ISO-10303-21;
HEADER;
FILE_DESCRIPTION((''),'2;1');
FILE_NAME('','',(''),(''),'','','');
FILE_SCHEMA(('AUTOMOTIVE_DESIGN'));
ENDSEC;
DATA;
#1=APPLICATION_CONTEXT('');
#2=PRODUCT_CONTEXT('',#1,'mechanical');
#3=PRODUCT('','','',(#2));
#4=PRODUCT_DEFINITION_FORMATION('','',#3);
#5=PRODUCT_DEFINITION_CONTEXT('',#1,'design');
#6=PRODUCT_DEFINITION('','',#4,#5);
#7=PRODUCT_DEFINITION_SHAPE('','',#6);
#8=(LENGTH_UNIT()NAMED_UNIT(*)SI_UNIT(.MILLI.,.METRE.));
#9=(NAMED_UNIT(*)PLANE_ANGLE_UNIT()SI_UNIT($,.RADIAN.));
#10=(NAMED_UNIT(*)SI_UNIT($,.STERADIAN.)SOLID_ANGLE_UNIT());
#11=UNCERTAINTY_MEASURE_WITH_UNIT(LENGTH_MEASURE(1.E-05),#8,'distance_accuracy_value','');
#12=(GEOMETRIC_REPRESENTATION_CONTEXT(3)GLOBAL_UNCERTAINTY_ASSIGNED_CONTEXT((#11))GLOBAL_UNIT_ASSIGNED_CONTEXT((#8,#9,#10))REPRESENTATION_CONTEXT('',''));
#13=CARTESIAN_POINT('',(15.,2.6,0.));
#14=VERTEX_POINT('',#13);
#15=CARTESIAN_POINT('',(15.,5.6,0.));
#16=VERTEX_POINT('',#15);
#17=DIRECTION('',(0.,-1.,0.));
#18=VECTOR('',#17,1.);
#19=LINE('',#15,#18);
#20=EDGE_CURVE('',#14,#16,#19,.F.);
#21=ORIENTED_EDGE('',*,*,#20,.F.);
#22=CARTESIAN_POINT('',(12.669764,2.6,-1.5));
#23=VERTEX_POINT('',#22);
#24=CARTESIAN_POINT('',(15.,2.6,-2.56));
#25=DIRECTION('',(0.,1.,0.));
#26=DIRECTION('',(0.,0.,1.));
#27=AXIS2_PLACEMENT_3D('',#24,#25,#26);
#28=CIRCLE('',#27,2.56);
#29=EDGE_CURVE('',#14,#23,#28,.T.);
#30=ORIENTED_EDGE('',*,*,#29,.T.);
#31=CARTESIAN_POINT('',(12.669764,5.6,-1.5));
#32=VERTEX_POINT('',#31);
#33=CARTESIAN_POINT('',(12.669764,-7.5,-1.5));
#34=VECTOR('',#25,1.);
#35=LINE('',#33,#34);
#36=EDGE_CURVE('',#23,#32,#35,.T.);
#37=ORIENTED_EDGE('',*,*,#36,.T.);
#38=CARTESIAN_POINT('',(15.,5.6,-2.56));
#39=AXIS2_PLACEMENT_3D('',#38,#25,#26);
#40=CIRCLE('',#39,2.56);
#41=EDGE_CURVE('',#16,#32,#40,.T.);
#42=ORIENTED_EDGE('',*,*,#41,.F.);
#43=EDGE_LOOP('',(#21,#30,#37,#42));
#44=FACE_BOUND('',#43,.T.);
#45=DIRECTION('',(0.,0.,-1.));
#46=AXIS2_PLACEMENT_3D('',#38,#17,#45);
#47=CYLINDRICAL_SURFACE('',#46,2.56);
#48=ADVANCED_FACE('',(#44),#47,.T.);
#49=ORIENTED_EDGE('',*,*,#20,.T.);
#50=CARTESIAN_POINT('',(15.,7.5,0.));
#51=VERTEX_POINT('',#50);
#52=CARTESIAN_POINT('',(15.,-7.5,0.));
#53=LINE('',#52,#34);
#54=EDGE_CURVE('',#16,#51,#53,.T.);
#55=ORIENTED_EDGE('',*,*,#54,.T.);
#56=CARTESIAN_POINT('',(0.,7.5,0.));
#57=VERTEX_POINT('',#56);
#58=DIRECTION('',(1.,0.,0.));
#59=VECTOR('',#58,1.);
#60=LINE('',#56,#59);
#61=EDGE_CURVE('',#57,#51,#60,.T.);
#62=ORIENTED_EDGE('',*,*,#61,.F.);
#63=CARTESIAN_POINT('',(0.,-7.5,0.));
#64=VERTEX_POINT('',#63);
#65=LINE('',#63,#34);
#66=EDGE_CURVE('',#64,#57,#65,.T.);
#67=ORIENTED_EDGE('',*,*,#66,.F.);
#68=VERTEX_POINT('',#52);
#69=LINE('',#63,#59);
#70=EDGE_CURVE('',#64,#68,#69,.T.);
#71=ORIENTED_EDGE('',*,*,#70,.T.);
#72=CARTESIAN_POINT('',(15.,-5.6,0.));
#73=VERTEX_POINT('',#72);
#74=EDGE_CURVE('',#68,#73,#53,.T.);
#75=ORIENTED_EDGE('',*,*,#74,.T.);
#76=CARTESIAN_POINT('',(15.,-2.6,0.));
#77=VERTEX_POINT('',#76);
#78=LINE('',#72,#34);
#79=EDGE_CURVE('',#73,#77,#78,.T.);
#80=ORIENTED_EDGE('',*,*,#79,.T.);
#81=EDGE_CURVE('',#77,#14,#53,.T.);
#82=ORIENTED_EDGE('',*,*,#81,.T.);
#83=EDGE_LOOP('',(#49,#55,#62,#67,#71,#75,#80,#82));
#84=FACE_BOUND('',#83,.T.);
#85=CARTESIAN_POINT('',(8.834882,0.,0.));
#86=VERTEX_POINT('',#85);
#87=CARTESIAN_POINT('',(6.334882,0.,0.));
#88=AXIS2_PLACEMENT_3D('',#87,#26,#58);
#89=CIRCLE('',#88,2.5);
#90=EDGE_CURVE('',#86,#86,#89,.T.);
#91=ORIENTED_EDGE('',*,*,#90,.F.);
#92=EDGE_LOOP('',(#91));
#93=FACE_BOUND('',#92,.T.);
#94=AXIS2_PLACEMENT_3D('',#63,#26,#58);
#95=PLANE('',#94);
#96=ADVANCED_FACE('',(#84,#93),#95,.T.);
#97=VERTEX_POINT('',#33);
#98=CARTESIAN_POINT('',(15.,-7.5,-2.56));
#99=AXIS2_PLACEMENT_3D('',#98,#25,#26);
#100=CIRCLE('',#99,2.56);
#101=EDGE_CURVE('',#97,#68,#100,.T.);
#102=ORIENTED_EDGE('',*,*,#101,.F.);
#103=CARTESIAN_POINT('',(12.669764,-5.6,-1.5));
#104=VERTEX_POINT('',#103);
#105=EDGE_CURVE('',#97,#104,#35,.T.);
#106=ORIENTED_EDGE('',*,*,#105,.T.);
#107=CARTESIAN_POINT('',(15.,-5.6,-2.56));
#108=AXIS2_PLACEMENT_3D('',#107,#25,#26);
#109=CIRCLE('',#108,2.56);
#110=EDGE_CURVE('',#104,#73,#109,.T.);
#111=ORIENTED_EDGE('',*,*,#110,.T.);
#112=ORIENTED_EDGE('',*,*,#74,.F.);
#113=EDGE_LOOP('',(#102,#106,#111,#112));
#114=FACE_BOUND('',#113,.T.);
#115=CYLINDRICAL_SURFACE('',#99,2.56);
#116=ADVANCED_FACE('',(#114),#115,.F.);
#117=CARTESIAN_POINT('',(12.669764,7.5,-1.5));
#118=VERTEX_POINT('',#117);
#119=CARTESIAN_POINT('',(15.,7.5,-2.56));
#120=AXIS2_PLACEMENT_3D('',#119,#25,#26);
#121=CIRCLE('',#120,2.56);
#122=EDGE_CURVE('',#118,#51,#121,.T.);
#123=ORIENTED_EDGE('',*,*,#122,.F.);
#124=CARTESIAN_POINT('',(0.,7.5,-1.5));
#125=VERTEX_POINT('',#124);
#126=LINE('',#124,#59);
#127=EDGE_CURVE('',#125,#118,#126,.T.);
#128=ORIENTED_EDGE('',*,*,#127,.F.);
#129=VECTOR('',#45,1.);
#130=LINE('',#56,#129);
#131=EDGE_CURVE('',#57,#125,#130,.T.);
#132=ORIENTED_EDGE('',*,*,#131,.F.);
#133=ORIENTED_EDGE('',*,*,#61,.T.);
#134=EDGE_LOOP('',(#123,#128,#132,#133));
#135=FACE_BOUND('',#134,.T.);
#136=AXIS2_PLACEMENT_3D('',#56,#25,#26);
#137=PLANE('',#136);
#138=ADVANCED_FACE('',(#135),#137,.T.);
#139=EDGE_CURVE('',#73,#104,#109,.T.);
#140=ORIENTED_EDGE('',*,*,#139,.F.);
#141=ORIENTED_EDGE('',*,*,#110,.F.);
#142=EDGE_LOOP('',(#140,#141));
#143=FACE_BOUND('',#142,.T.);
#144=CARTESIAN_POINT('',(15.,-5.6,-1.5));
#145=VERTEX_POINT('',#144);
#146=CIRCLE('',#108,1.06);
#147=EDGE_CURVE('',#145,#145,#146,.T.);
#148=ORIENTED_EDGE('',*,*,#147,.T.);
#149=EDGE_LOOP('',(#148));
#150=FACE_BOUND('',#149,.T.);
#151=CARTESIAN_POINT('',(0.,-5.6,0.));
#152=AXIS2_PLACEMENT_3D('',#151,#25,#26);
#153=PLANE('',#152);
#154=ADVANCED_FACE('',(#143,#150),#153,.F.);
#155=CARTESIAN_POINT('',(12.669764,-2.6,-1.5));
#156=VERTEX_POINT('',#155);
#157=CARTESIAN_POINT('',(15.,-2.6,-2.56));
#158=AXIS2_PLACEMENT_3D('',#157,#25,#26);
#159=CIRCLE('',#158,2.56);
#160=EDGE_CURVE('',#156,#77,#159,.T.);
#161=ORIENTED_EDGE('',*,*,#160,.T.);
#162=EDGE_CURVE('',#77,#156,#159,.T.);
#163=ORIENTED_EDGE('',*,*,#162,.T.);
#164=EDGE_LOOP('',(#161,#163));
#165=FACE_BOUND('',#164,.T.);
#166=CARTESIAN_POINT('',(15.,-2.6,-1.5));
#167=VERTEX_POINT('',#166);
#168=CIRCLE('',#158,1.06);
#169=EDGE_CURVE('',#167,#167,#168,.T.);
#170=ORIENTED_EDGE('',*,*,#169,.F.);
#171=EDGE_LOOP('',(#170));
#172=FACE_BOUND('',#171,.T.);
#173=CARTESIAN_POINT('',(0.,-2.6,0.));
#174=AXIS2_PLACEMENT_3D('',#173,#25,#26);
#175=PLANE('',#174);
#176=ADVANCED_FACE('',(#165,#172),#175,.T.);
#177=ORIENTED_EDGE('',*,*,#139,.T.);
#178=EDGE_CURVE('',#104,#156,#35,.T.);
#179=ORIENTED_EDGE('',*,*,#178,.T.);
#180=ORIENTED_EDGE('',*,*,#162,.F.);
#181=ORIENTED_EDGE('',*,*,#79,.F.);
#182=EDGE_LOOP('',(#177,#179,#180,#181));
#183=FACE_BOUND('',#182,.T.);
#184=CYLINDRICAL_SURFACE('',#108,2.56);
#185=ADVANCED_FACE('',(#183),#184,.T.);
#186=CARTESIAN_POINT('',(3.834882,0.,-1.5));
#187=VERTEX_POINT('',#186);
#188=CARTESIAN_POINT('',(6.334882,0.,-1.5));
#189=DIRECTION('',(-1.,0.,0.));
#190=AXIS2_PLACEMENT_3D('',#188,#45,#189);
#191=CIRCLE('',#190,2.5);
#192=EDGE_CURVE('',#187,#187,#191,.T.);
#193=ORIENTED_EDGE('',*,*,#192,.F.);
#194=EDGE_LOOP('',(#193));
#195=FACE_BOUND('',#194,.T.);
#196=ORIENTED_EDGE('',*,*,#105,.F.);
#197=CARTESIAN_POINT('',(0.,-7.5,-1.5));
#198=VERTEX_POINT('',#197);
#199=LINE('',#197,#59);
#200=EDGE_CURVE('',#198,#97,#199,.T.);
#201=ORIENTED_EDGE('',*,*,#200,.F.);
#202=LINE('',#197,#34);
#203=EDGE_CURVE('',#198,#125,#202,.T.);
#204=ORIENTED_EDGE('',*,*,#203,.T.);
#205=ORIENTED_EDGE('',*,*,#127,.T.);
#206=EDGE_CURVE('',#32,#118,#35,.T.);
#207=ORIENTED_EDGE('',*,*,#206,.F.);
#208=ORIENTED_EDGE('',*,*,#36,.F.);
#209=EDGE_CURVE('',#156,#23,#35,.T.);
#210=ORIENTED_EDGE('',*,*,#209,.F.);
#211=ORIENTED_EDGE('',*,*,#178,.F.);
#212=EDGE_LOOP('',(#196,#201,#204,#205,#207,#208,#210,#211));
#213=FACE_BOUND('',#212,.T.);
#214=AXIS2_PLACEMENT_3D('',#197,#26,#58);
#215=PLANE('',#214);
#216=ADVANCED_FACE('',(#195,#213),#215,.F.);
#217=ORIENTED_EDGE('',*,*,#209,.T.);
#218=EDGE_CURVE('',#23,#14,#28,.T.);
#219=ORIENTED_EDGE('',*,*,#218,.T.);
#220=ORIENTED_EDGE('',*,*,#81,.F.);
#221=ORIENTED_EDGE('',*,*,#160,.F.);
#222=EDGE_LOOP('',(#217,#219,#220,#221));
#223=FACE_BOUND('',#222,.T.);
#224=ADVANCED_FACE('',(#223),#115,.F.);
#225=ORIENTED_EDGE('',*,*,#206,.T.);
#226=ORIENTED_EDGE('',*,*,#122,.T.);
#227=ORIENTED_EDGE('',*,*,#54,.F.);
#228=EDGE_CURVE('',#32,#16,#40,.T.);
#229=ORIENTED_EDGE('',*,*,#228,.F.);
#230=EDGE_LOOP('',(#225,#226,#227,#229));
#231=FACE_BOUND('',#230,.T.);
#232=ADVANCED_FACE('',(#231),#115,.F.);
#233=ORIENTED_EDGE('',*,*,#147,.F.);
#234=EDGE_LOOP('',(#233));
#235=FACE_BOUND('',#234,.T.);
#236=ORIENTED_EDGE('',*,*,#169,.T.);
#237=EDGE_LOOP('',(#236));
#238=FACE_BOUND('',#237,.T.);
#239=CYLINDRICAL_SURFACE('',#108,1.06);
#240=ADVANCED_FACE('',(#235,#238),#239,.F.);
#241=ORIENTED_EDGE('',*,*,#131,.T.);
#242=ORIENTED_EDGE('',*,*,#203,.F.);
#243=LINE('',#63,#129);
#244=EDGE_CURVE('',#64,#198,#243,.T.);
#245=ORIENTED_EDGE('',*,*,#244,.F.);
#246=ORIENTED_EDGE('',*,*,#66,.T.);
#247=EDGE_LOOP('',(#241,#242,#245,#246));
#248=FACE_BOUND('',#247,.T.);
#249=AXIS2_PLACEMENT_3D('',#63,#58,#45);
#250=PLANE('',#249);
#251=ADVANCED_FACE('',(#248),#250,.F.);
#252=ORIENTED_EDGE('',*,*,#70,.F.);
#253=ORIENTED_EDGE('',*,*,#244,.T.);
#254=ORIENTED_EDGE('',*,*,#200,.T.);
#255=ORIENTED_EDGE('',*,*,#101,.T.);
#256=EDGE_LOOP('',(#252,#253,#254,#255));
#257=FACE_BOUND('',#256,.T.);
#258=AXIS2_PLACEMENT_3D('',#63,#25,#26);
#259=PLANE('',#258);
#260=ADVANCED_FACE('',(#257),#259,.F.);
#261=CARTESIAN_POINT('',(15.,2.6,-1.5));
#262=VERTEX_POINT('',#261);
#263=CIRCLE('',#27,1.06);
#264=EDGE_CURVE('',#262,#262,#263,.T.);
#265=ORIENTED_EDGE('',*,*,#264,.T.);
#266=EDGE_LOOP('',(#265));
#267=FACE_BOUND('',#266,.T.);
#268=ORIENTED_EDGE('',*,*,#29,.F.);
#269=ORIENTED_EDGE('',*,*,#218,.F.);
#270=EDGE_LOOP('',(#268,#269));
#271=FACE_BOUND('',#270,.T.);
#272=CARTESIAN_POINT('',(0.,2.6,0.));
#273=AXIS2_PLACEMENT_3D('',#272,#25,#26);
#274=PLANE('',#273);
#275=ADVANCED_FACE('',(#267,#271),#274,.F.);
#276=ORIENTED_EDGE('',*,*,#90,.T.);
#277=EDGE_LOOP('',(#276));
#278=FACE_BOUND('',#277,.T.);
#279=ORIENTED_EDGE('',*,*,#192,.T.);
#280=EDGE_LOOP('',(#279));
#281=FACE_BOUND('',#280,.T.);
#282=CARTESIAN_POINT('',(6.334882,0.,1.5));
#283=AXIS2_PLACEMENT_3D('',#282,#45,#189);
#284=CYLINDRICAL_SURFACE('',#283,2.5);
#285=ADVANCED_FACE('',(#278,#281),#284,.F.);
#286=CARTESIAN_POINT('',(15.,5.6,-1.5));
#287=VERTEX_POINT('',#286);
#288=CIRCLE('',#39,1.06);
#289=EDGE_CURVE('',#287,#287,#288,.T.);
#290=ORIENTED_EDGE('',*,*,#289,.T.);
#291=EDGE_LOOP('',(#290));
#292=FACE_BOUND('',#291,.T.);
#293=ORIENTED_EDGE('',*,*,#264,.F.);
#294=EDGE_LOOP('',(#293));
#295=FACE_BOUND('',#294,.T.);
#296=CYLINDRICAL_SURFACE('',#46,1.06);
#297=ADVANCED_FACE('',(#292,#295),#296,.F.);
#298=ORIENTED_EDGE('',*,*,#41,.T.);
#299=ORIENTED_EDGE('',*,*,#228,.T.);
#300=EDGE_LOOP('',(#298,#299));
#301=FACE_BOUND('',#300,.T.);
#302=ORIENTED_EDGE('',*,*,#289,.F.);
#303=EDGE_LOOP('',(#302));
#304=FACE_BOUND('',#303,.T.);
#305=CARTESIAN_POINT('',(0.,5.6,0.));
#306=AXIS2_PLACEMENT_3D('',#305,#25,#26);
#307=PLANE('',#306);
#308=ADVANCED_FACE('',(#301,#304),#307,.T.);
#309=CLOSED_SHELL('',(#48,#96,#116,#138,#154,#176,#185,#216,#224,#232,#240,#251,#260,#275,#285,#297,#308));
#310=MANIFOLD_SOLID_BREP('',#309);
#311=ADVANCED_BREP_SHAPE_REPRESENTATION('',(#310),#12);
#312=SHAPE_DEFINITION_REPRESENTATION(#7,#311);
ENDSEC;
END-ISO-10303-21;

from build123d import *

# Parameters (mm, degrees)
BOSS_EXTRUDE1_DEPTH      = 7.5
BOSS_EXTRUDE1_DEPTH_BACK = 7.5
BOSS_EXTRUDE3_START      = 2.6
SKETCH1_4_R              = 1.06
BOSS_EXTRUDE3_DEPTH      = 3
BOSS_EXTRUDE4_START      = -5.6
SKETCH1_5_R              = 1.06
BOSS_EXTRUDE4_DEPTH      = 3
SKETCH2_R                = 2.5
CUT_EXTRUDE1_DEPTH       = 3


with BuildPart() as part:
    # Sketch1 → Boss-Extrude1 (new, two sides: drawn at the far end of the back side and taken through both)
    with BuildSketch(Plane(origin=(0, 0, 0), x_dir=(1, 0, 0), z_dir=(0, 1, 0)).offset(-BOSS_EXTRUDE1_DEPTH_BACK)):
        with BuildLine():
            Line((0, 1.5), (0, 0))
            Line((0, 0), (15, 0))
            ThreePointArc((15, 0), (13.614359354, 0.407420152), (12.66976396, 1.5))
            Line((12.66976396, 1.5), (0, 1.5))
        make_face()
    extrude(amount=BOSS_EXTRUDE1_DEPTH + BOSS_EXTRUDE1_DEPTH_BACK)

    # Sketch1<4> → Boss-Extrude3 (add)
    with BuildSketch(Plane(origin=(0, 0, 0), x_dir=(1, 0, 0), z_dir=(0, 1, 0)).offset(BOSS_EXTRUDE3_START)):
        with BuildLine():
            ThreePointArc((12.66976396, 1.5), (13.614359354, 0.407420152), (15, 0))
            ThreePointArc((15, 0), (16.81019336, 0.74980664), (17.56, 2.56))
            ThreePointArc((17.56, 2.56), (14.45769209, 5.061899704), (12.66976396, 1.5))
        make_face()
        with Locations((15, 2.56)):
            Circle(SKETCH1_4_R, mode=Mode.SUBTRACT)
    extrude(amount=BOSS_EXTRUDE3_DEPTH)

    # Sketch1<5> → Boss-Extrude4 (add)
    with BuildSketch(Plane(origin=(0, 0, 0), x_dir=(1, 0, 0), z_dir=(0, 1, 0)).offset(BOSS_EXTRUDE4_START)):
        with BuildLine():
            ThreePointArc((12.66976396, 1.5), (13.614359354, 0.407420152), (15, 0))
            ThreePointArc((15, 0), (16.81019336, 0.74980664), (17.56, 2.56))
            ThreePointArc((17.56, 2.56), (14.45769209, 5.061899704), (12.66976396, 1.5))
        make_face()
        with Locations((15, 2.56)):
            Circle(SKETCH1_5_R, mode=Mode.SUBTRACT)
    extrude(amount=BOSS_EXTRUDE4_DEPTH)

    # Sketch2 → Cut-Extrude1 (cut)
    with BuildSketch(Plane(origin=(0, 0, -1.5), x_dir=(-1, 0, 0), z_dir=(0, 0, -1))):
        with Locations((-6.33488198, 0)):
            Circle(SKETCH2_R)
    extrude(amount=-CUT_EXTRUDE1_DEPTH, mode=Mode.SUBTRACT)


solid = part.part
